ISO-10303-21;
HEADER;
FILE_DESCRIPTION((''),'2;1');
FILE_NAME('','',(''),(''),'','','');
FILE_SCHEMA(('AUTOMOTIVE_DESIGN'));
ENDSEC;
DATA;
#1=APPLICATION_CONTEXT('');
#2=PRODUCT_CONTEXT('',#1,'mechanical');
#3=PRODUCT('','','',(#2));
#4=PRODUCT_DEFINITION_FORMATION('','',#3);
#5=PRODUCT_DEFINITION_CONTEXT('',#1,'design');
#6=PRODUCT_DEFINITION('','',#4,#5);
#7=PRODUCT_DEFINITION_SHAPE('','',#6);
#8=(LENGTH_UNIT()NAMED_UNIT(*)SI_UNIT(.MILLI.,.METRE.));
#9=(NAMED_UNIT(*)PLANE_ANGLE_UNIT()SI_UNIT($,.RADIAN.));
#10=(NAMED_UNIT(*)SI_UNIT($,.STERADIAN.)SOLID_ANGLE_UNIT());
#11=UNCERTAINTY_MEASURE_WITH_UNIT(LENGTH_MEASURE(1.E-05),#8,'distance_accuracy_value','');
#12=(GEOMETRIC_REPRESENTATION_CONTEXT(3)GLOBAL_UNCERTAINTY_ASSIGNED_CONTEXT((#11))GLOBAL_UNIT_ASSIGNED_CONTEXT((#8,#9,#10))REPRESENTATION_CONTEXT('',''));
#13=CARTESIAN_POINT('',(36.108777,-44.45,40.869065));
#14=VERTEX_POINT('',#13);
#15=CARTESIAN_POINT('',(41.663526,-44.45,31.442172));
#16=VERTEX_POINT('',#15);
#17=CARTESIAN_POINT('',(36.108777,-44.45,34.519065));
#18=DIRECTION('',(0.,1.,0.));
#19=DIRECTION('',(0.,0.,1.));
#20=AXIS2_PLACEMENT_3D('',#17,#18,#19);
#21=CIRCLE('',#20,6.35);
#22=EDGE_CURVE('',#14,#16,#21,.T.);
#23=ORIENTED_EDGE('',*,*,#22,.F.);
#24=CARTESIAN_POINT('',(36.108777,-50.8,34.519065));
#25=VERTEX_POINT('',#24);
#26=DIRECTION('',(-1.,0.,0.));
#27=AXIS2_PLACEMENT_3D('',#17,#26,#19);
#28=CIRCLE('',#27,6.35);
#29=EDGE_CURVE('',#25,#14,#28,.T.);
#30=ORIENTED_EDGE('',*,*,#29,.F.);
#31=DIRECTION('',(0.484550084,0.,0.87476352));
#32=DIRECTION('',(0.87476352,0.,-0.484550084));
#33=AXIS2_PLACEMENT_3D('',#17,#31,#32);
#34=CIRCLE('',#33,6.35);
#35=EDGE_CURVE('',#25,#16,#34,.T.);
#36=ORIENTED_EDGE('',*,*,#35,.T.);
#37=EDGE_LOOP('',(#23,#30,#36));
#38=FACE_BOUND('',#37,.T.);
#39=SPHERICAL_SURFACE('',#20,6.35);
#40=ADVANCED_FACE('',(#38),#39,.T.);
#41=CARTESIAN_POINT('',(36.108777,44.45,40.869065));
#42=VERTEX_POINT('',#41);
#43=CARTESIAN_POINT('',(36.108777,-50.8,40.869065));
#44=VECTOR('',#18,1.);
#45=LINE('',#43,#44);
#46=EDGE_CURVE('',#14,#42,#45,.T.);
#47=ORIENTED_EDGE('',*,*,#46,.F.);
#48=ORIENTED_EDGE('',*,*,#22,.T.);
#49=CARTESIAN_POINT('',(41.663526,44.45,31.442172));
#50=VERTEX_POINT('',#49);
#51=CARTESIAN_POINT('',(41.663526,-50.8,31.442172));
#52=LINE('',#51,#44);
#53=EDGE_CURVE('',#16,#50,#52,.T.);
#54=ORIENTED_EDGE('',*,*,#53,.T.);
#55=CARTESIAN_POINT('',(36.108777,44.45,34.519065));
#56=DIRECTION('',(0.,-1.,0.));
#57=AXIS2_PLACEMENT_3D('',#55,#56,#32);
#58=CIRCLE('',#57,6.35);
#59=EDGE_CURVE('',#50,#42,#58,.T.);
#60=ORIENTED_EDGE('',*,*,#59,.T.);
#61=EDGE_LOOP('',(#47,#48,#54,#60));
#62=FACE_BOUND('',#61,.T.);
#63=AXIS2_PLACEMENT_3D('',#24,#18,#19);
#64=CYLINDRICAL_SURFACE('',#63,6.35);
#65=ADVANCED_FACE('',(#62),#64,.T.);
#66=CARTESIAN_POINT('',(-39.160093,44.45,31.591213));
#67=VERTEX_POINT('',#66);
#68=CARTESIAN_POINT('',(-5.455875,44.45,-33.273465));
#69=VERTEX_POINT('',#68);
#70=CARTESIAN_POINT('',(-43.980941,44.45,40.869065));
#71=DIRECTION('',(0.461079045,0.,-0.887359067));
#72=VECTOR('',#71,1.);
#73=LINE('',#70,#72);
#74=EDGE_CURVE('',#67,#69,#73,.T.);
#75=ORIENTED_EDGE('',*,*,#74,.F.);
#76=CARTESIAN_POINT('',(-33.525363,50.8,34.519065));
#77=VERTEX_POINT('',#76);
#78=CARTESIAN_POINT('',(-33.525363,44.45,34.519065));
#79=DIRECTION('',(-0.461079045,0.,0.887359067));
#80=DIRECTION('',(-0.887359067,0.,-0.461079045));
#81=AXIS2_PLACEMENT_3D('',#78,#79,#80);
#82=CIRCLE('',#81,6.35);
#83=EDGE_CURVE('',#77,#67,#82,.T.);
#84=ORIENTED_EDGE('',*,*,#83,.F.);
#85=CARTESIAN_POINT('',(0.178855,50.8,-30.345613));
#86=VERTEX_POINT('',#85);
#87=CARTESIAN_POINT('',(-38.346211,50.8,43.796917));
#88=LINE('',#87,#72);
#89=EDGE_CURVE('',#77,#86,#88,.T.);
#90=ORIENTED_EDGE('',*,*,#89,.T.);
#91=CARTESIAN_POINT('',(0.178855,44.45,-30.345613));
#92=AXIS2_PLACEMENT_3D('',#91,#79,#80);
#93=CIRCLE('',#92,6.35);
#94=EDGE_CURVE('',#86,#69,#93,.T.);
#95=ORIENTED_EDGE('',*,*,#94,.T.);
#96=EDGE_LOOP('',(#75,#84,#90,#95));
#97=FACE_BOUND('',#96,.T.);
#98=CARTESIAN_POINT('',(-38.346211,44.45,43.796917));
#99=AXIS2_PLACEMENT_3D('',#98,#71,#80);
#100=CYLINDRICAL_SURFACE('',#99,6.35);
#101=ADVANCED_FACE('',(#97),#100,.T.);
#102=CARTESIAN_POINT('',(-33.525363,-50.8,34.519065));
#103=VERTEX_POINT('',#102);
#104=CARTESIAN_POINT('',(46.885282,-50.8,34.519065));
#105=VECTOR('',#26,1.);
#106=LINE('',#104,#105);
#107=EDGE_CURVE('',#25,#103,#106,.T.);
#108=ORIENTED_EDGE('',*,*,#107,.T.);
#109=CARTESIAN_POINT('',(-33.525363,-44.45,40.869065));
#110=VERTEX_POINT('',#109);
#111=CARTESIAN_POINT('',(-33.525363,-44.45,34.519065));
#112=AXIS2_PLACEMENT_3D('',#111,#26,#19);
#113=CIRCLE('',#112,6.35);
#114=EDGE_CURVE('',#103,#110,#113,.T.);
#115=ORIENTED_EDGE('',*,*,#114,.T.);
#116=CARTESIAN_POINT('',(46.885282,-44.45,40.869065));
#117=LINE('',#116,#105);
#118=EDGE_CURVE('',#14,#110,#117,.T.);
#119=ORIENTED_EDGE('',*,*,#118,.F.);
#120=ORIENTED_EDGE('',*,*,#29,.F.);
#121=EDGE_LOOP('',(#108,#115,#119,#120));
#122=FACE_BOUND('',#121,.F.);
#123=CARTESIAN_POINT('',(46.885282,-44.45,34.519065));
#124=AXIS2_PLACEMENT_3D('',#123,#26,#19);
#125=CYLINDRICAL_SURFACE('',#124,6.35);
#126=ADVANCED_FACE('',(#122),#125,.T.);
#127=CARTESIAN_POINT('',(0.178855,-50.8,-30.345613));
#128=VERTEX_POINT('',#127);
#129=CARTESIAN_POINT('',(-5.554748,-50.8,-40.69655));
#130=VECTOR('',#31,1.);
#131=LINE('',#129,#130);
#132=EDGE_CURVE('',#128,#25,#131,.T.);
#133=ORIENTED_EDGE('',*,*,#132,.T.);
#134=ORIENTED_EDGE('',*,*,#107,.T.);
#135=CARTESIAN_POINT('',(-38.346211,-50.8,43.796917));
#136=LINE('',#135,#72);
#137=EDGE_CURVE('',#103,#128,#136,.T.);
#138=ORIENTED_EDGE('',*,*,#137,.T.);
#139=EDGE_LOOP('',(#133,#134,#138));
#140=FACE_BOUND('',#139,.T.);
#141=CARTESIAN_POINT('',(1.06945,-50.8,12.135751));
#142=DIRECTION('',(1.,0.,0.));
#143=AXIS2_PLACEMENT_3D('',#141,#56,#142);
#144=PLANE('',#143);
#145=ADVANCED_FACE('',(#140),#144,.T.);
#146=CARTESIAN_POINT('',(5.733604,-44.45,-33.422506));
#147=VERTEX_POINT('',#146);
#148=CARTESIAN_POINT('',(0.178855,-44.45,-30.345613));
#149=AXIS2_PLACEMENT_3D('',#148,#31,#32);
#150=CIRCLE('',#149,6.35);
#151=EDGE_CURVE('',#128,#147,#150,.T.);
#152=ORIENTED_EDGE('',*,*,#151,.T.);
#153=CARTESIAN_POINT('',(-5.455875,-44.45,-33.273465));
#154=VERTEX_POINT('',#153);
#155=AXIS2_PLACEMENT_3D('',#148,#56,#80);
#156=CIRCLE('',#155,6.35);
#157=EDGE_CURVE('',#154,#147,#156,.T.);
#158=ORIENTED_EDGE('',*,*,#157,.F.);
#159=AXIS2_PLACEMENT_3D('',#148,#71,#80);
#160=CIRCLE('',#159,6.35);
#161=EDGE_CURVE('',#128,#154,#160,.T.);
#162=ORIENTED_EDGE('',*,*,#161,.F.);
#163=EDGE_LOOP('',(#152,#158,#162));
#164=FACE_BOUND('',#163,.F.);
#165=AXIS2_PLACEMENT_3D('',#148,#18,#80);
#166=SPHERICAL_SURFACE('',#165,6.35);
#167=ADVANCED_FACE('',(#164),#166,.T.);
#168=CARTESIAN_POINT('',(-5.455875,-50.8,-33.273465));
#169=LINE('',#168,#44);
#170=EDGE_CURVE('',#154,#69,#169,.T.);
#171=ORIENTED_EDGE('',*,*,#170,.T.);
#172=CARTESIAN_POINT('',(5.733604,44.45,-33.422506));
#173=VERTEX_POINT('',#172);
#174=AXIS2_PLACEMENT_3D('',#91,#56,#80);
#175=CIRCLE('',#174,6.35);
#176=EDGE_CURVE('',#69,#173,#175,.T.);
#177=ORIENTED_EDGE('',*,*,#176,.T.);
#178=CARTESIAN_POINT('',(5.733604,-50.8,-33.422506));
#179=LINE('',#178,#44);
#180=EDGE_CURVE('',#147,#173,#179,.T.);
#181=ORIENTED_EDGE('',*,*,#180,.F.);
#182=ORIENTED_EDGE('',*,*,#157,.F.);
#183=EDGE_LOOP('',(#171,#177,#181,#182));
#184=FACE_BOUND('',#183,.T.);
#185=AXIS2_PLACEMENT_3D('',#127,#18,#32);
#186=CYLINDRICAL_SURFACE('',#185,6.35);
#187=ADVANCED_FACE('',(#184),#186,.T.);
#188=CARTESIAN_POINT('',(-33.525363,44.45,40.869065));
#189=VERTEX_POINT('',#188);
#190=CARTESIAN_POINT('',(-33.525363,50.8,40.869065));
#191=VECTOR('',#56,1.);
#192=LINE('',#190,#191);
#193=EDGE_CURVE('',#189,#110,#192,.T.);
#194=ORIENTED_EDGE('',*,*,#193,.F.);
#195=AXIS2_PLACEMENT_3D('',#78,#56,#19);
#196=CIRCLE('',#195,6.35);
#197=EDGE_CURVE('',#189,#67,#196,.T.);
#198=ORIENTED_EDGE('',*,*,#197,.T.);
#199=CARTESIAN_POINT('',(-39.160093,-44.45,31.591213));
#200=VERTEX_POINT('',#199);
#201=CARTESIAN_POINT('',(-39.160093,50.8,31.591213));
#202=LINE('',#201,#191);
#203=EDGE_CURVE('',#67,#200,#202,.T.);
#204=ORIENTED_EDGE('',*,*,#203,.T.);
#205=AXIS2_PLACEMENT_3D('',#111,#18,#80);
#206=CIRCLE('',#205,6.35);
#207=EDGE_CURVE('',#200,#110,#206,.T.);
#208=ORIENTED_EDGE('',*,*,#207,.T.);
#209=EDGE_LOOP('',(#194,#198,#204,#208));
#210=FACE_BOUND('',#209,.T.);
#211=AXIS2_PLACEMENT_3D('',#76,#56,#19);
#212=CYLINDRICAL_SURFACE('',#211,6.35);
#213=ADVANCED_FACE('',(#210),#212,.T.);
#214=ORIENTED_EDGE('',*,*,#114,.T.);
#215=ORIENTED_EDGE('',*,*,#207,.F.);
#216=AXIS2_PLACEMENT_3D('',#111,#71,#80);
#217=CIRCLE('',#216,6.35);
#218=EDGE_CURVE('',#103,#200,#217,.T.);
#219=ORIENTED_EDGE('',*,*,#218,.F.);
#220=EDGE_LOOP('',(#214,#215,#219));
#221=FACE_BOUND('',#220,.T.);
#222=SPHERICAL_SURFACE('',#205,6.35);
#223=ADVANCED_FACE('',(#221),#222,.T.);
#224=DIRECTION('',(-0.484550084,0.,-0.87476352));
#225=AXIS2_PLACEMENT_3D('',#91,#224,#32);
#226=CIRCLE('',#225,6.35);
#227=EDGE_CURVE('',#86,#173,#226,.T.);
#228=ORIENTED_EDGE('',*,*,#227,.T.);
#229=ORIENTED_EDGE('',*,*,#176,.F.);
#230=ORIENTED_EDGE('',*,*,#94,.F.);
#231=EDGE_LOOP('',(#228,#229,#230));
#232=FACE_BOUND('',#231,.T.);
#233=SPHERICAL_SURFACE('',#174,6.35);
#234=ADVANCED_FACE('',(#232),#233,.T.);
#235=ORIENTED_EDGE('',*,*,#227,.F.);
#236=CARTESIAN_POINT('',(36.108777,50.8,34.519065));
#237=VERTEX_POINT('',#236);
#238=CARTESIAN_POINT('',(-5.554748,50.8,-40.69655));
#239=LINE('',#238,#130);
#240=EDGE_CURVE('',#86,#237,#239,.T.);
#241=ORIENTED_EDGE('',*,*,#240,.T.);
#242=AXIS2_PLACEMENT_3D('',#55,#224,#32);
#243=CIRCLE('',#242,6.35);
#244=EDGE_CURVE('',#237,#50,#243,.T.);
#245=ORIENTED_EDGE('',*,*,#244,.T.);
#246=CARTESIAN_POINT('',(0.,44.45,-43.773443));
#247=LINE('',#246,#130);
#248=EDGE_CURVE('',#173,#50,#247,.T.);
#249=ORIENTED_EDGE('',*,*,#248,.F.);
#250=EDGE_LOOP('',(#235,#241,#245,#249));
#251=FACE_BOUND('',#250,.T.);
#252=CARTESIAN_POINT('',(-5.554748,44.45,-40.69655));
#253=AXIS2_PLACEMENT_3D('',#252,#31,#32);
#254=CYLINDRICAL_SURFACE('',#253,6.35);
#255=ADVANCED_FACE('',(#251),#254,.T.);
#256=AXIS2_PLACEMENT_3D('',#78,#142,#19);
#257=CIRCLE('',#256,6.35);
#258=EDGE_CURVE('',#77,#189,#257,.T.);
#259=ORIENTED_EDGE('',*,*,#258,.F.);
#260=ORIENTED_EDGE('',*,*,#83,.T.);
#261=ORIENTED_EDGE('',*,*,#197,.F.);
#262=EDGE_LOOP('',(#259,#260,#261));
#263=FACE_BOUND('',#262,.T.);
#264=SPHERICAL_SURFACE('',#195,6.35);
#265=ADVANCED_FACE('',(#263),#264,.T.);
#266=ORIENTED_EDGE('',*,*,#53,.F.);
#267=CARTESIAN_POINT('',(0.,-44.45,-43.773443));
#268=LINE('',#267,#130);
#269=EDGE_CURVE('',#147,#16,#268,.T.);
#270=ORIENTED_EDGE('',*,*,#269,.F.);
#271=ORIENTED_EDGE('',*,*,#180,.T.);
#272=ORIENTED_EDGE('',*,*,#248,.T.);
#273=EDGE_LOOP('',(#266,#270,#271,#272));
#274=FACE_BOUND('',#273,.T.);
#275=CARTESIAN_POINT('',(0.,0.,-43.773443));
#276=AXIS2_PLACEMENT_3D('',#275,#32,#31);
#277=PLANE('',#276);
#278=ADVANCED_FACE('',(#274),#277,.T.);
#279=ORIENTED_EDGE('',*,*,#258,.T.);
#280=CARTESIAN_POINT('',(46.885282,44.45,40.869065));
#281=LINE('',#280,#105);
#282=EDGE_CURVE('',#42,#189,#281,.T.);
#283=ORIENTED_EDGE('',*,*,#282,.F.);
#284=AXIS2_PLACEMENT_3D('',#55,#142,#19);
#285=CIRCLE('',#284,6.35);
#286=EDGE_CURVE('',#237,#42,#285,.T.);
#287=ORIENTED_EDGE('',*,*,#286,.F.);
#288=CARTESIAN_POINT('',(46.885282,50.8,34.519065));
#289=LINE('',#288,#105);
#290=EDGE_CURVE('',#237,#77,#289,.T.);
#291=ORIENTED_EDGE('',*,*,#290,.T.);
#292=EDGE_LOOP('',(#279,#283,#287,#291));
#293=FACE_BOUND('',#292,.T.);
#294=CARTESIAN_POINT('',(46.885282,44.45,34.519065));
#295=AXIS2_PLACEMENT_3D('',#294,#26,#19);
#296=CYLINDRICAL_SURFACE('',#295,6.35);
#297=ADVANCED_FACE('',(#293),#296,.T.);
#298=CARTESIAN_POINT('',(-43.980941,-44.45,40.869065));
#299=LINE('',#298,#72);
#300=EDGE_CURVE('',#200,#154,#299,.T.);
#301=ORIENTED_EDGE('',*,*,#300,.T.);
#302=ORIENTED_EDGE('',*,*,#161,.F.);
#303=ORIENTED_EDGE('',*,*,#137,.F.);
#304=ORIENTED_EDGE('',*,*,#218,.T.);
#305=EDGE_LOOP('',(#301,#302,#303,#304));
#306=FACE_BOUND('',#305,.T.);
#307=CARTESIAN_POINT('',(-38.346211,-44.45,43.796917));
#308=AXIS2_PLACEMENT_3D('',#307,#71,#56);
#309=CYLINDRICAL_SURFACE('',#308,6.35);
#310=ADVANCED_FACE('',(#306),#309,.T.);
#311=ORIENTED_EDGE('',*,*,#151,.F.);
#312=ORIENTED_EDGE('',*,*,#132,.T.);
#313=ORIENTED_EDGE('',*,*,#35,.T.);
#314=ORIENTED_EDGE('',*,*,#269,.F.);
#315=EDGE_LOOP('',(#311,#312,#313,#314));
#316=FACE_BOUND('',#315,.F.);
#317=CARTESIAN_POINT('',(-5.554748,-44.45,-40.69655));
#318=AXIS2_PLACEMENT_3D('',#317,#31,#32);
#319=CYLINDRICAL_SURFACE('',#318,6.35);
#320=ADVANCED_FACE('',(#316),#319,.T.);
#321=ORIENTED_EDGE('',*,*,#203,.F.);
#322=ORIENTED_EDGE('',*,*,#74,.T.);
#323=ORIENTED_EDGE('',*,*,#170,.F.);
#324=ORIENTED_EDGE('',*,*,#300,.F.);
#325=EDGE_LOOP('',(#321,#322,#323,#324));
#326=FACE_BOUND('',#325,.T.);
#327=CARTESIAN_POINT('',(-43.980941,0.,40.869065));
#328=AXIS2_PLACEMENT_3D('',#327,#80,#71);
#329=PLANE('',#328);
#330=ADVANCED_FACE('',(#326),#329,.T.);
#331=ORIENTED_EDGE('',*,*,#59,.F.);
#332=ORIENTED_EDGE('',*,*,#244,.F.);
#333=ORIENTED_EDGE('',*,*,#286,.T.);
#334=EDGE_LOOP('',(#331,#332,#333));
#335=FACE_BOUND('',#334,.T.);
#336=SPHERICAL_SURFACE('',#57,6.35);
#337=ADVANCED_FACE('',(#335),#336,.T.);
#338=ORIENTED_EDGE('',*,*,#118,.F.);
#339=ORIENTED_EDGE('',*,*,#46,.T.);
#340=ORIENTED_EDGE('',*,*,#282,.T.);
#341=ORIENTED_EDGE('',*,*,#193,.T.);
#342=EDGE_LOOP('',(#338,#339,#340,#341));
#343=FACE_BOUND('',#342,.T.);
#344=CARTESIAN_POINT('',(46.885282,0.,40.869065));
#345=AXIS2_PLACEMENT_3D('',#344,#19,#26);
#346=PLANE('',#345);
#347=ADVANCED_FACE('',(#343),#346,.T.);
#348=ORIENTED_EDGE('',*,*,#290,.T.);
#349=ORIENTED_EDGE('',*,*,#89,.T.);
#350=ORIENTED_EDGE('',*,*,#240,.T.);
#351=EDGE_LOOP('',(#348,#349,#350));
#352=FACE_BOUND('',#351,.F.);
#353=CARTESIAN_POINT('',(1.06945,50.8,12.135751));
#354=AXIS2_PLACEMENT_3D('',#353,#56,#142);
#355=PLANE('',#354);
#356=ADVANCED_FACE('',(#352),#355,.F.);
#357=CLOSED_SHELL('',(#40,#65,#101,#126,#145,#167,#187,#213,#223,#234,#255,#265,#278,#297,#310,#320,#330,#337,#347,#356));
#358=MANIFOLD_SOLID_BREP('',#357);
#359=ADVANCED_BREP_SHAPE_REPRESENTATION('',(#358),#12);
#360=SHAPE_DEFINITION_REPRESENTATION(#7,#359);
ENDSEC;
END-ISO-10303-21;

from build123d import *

# Parameters (mm, degrees)
F1_DEPTH = 50.8
F2_R     = 6.35


with BuildPart() as f1:
    # F0 (on Front) → F1 (new body, symmetric)
    with BuildSketch(Plane.XZ):
        Polygon((46.885282, 40.869065), (-43.980941, 40.869065), (0, -43.773443), align=None)
    extrude(amount=F1_DEPTH, both=True)

    # F2
    f2_edges = [f1.edges().sort_by_distance(p)[0] for p in [
        (1.45217, -50.8, 40.869065),
        (23.442641, -50.8, -1.452189),
        (0, 0, -43.773443),
        (-21.990471, 50.8, -1.452189),
        (-43.980941, 0, 40.869065),
        (46.885282, 0, 40.869065),
        (23.442641, 50.8, -1.452189),
        (1.45217, 50.8, 40.869065),
        (-21.990471, -50.8, -1.452189),
    ]]
    fillet(f2_edges, radius=F2_R)


solid = f1.part
